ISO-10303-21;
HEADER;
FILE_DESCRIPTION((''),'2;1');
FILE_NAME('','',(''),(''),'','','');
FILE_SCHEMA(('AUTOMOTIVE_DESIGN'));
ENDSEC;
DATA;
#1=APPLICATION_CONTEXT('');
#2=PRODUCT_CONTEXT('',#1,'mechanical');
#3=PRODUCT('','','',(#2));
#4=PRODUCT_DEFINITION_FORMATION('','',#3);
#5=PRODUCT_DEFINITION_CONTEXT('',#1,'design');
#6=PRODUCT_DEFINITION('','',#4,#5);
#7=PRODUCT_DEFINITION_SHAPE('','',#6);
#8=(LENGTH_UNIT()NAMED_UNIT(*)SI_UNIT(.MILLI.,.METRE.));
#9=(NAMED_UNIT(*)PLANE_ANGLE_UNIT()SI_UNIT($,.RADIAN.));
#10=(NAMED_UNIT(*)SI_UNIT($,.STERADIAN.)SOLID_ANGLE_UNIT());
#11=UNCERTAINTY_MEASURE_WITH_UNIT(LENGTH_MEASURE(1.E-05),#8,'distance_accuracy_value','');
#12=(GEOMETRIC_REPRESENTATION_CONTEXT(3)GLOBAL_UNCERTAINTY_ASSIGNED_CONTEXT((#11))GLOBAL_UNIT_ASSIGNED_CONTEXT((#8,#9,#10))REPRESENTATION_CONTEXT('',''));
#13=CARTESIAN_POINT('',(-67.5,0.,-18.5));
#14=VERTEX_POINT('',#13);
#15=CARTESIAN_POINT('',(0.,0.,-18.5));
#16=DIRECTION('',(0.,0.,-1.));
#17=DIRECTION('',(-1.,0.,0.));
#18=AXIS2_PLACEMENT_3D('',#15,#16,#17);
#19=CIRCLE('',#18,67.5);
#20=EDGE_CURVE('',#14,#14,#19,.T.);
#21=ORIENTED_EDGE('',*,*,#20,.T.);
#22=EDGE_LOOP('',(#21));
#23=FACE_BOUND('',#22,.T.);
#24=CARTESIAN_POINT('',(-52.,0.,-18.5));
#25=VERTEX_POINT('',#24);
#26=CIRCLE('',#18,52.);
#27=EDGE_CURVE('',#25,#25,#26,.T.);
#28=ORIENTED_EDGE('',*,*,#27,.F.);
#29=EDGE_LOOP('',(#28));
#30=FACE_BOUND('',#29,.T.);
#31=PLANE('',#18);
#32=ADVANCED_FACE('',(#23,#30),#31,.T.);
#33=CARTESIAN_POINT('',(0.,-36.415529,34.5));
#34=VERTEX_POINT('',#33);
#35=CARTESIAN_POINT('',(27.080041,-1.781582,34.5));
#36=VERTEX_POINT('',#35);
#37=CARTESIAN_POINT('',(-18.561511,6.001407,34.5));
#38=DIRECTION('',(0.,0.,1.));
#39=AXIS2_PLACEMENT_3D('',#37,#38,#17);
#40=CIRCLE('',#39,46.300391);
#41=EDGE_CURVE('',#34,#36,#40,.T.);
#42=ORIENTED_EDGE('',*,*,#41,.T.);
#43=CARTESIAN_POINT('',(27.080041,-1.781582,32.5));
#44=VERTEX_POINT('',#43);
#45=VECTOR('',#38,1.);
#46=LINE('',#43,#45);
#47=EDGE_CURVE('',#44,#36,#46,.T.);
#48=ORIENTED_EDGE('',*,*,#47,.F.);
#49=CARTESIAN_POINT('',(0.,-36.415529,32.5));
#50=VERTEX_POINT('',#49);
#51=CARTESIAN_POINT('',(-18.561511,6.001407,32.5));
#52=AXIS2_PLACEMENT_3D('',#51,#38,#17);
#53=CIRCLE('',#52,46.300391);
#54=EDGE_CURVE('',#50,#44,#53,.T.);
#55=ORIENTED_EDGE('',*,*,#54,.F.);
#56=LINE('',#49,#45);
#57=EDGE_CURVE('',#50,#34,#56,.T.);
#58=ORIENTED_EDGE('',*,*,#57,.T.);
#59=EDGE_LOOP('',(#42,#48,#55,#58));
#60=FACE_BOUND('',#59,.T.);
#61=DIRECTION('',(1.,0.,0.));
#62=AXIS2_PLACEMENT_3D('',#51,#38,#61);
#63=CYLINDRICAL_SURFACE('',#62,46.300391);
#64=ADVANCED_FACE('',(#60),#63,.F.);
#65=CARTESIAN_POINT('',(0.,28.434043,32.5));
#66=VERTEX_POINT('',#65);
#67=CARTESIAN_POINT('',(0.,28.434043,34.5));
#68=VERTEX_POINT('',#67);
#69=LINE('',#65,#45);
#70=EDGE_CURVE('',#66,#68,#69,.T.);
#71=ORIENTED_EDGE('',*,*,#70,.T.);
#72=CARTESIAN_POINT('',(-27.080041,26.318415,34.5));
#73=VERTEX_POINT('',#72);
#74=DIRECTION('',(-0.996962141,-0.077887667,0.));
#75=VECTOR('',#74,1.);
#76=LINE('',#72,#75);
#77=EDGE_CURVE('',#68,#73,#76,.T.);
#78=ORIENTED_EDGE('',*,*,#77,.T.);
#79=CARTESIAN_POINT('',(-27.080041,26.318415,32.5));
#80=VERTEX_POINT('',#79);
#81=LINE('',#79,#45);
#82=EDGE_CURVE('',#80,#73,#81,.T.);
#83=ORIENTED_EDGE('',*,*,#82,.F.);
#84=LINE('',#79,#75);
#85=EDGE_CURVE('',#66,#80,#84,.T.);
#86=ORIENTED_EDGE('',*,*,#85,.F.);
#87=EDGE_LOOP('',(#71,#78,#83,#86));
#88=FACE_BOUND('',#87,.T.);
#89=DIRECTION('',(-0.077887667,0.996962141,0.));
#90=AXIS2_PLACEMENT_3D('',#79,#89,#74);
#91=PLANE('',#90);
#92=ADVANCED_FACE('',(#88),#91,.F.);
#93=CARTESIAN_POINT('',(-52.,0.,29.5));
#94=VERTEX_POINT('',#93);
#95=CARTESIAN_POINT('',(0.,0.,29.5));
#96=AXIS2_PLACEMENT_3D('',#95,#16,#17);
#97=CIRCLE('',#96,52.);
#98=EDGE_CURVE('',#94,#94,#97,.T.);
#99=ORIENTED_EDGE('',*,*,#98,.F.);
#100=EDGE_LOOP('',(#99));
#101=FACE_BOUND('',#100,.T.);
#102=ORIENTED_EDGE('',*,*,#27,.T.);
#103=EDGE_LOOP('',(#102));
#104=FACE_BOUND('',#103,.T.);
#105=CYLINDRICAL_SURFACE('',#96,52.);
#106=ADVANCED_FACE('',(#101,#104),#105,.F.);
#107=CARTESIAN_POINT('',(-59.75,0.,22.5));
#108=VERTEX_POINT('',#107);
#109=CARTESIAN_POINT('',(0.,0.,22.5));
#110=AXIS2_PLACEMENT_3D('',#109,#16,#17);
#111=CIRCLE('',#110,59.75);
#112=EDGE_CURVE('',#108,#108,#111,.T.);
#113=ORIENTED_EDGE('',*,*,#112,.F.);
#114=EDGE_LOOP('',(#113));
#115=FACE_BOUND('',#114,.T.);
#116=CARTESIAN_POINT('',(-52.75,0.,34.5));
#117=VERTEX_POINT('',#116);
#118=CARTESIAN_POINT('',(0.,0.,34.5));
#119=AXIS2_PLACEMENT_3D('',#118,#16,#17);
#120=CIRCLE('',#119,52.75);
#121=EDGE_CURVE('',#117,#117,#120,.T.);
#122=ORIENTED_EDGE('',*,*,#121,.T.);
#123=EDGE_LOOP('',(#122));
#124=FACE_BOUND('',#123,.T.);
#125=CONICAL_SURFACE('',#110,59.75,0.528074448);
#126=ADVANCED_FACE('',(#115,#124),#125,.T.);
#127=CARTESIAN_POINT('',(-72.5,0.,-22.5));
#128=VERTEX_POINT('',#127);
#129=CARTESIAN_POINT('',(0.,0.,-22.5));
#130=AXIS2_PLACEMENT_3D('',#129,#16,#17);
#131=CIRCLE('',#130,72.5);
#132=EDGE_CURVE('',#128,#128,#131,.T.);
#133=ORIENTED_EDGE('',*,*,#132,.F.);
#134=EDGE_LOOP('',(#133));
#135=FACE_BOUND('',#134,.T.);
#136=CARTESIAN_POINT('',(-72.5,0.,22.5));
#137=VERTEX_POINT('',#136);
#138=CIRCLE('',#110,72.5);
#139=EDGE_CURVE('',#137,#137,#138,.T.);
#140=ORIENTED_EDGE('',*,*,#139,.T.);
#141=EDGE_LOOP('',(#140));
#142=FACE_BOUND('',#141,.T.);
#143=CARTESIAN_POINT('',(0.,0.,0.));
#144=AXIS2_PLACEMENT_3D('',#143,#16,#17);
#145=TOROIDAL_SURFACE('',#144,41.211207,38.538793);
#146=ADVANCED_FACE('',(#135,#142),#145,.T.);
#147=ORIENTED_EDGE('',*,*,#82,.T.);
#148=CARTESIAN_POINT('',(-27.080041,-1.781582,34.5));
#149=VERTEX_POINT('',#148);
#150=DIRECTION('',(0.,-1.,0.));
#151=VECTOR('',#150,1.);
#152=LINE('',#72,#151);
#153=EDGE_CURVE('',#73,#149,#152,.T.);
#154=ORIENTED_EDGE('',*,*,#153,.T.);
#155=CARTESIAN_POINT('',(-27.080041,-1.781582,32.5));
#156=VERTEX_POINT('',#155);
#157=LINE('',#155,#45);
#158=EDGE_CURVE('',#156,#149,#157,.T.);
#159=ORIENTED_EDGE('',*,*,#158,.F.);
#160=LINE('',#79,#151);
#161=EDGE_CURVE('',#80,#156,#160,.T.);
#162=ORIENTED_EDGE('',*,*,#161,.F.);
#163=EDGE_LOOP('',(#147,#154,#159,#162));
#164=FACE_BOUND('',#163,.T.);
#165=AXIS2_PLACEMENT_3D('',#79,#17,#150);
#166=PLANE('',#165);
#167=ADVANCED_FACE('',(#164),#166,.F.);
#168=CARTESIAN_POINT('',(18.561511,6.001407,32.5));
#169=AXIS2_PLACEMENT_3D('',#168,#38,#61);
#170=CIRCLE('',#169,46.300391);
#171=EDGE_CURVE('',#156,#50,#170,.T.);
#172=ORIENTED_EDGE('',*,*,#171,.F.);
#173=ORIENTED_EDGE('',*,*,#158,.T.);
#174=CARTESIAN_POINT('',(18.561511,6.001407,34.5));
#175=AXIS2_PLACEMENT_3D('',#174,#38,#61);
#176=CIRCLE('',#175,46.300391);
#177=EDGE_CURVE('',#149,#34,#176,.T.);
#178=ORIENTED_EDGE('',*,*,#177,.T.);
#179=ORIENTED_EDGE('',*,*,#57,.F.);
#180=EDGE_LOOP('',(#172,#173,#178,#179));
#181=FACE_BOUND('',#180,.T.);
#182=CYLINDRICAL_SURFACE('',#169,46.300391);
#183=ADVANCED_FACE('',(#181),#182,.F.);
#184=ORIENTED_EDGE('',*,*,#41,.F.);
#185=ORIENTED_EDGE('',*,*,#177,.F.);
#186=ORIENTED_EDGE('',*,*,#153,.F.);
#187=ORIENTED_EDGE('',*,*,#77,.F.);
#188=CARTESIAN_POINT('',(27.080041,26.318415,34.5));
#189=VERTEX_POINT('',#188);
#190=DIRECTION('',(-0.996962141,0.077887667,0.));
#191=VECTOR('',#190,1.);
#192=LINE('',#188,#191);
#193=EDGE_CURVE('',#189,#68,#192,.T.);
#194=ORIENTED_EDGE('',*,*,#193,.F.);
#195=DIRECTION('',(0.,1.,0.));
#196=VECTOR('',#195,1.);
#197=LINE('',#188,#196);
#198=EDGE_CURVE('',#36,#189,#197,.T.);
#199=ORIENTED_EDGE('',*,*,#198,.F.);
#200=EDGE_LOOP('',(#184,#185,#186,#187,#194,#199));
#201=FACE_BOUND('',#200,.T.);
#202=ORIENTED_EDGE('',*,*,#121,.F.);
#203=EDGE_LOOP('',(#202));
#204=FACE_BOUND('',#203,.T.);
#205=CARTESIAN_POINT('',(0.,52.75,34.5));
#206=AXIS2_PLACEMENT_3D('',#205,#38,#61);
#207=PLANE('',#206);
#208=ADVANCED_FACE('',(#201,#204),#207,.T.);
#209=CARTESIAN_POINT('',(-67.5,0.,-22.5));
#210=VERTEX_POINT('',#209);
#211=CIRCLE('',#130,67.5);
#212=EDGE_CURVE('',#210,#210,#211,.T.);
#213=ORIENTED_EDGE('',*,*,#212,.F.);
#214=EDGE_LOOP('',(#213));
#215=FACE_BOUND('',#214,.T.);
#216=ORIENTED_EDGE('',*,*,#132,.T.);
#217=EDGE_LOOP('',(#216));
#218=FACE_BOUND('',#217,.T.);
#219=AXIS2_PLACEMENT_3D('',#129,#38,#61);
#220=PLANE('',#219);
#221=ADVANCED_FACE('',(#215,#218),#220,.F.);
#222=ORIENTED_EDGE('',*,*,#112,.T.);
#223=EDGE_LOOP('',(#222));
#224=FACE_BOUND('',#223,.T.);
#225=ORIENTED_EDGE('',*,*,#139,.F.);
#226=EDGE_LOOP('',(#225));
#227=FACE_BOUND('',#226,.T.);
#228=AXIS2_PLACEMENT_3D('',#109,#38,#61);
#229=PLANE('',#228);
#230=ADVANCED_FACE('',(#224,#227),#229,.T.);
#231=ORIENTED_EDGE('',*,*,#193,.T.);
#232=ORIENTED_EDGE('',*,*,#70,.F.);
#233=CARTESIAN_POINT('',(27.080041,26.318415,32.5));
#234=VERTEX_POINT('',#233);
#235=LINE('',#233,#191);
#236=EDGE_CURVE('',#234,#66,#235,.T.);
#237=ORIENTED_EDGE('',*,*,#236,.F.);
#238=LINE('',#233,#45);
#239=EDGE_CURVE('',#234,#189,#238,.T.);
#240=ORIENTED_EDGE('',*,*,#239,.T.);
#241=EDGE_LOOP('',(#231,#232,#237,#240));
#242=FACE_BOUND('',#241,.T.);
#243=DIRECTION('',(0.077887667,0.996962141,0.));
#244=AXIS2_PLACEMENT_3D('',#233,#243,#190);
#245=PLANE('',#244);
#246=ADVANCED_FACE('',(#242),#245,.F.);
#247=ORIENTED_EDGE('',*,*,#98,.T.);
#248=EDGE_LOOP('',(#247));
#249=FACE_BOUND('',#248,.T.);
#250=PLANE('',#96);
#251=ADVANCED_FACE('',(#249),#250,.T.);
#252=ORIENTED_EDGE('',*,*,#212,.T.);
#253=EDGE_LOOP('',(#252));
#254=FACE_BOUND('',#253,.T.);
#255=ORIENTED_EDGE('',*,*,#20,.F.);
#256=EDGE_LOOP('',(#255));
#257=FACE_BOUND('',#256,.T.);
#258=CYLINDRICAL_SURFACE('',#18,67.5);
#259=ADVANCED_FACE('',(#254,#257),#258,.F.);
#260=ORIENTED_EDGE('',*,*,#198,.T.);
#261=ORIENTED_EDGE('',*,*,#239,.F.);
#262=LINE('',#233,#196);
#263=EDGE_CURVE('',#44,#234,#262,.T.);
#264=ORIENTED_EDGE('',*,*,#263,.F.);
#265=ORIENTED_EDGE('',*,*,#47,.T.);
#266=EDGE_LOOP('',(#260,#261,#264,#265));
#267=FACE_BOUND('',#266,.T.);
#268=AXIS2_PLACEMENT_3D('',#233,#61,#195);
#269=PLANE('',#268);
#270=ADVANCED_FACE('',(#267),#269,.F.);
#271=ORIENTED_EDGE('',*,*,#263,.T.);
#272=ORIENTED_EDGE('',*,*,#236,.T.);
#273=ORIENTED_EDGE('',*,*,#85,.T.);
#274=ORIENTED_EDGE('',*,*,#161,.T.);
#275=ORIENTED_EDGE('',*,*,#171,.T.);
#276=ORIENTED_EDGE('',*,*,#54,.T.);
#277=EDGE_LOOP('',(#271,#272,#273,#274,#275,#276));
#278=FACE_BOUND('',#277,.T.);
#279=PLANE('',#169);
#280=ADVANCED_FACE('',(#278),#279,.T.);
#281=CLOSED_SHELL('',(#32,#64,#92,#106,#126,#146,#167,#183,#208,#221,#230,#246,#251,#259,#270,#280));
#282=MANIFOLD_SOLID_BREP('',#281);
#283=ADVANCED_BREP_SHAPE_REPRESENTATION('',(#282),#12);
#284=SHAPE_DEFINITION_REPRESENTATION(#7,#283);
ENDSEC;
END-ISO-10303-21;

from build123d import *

# Parameters (mm, degrees)
EXTRUDE_1_DEPTH      = 22.5
EXTRUDE_1_DEPTH_BACK = 22.5
SKETCH_1_R           = 82.5
SKETCH_4_R           = 67.5
CUT_EXTRUDE_1_DEPTH  = 4
SKETCH_5_R           = 52
CUT_EXTRUDE_2_DEPTH  = 48
CUT_EXTRUDE_3_DEPTH  = 2


with BuildPart() as part:
    # Эскиз1 → Бобышка-Вытянуть1 (new, two sides: drawn at the far end of the back side and taken through both)
    with BuildSketch(Plane.XY.offset(-EXTRUDE_1_DEPTH_BACK)):
        Circle(SKETCH_1_R)
    extrude(amount=EXTRUDE_1_DEPTH + EXTRUDE_1_DEPTH_BACK)

    # Эскиз3 → Повернуть1 (revolve)
    with BuildSketch(Plane(origin=(0, 0, 0), x_dir=(0, 0, -1), z_dir=(1, 0, 0))):
        Polygon((-22.5, 0), (-22.5, 59.75), (-34.5, 52.75), (-34.5, 0), align=None)
    revolve(axis=Axis((0, 0, -22.110804518), (0, 0, 1)))

    # Эскиз4 → Вырез-Вытянуть1 (cut)
    with BuildSketch(Plane(origin=(0, 0, -22.5), x_dir=(-1, 0, 0), z_dir=(0, 0, -1))):
        Circle(SKETCH_4_R)
    extrude(amount=-CUT_EXTRUDE_1_DEPTH, mode=Mode.SUBTRACT)

    # Эскиз5 → Вырез-Вытянуть2 (cut)
    with BuildSketch(Plane(origin=(0, 0, -18.5), x_dir=(-1, 0, 0), z_dir=(0, 0, -1))):
        Circle(SKETCH_5_R)
    extrude(amount=-CUT_EXTRUDE_2_DEPTH, mode=Mode.SUBTRACT)

    # Эскиз7 → Вырез-Повернуть1 (revolve, cut)
    with BuildSketch(Plane(origin=(0, 0, 0), x_dir=(0, 0, -1), z_dir=(1, 0, 0))):
        with BuildLine():
            Line((-22.5, 72.5), (-31.948658462, 72.5))
            Line((-31.948658462, 72.5), (-31.948658462, 102.607455118))
            Line((-31.948658462, 102.607455118), (33.489916399, 102.607455118))
            Line((33.489916399, 102.607455118), (33.489916399, 72.5))
            Line((33.489916399, 72.5), (22.5, 72.5))
            ThreePointArc((22.5, 72.5), (0, 79.75), (-22.5, 72.5))
        make_face()
    revolve(axis=Axis((0, 0, 0), (0, 0, 1)), mode=Mode.SUBTRACT)

    # Эскиз8 → Вырез-Вытянуть3 (cut)
    with BuildSketch(Plane.XY.offset(34.5)):
        with BuildLine():
            Line((-27.080041081, 26.318414926), (0, 28.434043135))
            Line((0, 28.434043135), (27.080041081, 26.318414926))
            Line((27.080041081, 26.318414926), (27.080041081, -1.78158165))
            ThreePointArc((27.080041081, -1.78158165), (17.912944533, -22.517713966), (0, -36.415528927))
            ThreePointArc((0, -36.415528927), (-17.912944533, -22.517713966), (-27.080041081, -1.78158165))
            Line((-27.080041081, -1.78158165), (-27.080041081, 26.318414926))
        make_face()
    extrude(amount=-CUT_EXTRUDE_3_DEPTH, mode=Mode.SUBTRACT)


solid = part.part
